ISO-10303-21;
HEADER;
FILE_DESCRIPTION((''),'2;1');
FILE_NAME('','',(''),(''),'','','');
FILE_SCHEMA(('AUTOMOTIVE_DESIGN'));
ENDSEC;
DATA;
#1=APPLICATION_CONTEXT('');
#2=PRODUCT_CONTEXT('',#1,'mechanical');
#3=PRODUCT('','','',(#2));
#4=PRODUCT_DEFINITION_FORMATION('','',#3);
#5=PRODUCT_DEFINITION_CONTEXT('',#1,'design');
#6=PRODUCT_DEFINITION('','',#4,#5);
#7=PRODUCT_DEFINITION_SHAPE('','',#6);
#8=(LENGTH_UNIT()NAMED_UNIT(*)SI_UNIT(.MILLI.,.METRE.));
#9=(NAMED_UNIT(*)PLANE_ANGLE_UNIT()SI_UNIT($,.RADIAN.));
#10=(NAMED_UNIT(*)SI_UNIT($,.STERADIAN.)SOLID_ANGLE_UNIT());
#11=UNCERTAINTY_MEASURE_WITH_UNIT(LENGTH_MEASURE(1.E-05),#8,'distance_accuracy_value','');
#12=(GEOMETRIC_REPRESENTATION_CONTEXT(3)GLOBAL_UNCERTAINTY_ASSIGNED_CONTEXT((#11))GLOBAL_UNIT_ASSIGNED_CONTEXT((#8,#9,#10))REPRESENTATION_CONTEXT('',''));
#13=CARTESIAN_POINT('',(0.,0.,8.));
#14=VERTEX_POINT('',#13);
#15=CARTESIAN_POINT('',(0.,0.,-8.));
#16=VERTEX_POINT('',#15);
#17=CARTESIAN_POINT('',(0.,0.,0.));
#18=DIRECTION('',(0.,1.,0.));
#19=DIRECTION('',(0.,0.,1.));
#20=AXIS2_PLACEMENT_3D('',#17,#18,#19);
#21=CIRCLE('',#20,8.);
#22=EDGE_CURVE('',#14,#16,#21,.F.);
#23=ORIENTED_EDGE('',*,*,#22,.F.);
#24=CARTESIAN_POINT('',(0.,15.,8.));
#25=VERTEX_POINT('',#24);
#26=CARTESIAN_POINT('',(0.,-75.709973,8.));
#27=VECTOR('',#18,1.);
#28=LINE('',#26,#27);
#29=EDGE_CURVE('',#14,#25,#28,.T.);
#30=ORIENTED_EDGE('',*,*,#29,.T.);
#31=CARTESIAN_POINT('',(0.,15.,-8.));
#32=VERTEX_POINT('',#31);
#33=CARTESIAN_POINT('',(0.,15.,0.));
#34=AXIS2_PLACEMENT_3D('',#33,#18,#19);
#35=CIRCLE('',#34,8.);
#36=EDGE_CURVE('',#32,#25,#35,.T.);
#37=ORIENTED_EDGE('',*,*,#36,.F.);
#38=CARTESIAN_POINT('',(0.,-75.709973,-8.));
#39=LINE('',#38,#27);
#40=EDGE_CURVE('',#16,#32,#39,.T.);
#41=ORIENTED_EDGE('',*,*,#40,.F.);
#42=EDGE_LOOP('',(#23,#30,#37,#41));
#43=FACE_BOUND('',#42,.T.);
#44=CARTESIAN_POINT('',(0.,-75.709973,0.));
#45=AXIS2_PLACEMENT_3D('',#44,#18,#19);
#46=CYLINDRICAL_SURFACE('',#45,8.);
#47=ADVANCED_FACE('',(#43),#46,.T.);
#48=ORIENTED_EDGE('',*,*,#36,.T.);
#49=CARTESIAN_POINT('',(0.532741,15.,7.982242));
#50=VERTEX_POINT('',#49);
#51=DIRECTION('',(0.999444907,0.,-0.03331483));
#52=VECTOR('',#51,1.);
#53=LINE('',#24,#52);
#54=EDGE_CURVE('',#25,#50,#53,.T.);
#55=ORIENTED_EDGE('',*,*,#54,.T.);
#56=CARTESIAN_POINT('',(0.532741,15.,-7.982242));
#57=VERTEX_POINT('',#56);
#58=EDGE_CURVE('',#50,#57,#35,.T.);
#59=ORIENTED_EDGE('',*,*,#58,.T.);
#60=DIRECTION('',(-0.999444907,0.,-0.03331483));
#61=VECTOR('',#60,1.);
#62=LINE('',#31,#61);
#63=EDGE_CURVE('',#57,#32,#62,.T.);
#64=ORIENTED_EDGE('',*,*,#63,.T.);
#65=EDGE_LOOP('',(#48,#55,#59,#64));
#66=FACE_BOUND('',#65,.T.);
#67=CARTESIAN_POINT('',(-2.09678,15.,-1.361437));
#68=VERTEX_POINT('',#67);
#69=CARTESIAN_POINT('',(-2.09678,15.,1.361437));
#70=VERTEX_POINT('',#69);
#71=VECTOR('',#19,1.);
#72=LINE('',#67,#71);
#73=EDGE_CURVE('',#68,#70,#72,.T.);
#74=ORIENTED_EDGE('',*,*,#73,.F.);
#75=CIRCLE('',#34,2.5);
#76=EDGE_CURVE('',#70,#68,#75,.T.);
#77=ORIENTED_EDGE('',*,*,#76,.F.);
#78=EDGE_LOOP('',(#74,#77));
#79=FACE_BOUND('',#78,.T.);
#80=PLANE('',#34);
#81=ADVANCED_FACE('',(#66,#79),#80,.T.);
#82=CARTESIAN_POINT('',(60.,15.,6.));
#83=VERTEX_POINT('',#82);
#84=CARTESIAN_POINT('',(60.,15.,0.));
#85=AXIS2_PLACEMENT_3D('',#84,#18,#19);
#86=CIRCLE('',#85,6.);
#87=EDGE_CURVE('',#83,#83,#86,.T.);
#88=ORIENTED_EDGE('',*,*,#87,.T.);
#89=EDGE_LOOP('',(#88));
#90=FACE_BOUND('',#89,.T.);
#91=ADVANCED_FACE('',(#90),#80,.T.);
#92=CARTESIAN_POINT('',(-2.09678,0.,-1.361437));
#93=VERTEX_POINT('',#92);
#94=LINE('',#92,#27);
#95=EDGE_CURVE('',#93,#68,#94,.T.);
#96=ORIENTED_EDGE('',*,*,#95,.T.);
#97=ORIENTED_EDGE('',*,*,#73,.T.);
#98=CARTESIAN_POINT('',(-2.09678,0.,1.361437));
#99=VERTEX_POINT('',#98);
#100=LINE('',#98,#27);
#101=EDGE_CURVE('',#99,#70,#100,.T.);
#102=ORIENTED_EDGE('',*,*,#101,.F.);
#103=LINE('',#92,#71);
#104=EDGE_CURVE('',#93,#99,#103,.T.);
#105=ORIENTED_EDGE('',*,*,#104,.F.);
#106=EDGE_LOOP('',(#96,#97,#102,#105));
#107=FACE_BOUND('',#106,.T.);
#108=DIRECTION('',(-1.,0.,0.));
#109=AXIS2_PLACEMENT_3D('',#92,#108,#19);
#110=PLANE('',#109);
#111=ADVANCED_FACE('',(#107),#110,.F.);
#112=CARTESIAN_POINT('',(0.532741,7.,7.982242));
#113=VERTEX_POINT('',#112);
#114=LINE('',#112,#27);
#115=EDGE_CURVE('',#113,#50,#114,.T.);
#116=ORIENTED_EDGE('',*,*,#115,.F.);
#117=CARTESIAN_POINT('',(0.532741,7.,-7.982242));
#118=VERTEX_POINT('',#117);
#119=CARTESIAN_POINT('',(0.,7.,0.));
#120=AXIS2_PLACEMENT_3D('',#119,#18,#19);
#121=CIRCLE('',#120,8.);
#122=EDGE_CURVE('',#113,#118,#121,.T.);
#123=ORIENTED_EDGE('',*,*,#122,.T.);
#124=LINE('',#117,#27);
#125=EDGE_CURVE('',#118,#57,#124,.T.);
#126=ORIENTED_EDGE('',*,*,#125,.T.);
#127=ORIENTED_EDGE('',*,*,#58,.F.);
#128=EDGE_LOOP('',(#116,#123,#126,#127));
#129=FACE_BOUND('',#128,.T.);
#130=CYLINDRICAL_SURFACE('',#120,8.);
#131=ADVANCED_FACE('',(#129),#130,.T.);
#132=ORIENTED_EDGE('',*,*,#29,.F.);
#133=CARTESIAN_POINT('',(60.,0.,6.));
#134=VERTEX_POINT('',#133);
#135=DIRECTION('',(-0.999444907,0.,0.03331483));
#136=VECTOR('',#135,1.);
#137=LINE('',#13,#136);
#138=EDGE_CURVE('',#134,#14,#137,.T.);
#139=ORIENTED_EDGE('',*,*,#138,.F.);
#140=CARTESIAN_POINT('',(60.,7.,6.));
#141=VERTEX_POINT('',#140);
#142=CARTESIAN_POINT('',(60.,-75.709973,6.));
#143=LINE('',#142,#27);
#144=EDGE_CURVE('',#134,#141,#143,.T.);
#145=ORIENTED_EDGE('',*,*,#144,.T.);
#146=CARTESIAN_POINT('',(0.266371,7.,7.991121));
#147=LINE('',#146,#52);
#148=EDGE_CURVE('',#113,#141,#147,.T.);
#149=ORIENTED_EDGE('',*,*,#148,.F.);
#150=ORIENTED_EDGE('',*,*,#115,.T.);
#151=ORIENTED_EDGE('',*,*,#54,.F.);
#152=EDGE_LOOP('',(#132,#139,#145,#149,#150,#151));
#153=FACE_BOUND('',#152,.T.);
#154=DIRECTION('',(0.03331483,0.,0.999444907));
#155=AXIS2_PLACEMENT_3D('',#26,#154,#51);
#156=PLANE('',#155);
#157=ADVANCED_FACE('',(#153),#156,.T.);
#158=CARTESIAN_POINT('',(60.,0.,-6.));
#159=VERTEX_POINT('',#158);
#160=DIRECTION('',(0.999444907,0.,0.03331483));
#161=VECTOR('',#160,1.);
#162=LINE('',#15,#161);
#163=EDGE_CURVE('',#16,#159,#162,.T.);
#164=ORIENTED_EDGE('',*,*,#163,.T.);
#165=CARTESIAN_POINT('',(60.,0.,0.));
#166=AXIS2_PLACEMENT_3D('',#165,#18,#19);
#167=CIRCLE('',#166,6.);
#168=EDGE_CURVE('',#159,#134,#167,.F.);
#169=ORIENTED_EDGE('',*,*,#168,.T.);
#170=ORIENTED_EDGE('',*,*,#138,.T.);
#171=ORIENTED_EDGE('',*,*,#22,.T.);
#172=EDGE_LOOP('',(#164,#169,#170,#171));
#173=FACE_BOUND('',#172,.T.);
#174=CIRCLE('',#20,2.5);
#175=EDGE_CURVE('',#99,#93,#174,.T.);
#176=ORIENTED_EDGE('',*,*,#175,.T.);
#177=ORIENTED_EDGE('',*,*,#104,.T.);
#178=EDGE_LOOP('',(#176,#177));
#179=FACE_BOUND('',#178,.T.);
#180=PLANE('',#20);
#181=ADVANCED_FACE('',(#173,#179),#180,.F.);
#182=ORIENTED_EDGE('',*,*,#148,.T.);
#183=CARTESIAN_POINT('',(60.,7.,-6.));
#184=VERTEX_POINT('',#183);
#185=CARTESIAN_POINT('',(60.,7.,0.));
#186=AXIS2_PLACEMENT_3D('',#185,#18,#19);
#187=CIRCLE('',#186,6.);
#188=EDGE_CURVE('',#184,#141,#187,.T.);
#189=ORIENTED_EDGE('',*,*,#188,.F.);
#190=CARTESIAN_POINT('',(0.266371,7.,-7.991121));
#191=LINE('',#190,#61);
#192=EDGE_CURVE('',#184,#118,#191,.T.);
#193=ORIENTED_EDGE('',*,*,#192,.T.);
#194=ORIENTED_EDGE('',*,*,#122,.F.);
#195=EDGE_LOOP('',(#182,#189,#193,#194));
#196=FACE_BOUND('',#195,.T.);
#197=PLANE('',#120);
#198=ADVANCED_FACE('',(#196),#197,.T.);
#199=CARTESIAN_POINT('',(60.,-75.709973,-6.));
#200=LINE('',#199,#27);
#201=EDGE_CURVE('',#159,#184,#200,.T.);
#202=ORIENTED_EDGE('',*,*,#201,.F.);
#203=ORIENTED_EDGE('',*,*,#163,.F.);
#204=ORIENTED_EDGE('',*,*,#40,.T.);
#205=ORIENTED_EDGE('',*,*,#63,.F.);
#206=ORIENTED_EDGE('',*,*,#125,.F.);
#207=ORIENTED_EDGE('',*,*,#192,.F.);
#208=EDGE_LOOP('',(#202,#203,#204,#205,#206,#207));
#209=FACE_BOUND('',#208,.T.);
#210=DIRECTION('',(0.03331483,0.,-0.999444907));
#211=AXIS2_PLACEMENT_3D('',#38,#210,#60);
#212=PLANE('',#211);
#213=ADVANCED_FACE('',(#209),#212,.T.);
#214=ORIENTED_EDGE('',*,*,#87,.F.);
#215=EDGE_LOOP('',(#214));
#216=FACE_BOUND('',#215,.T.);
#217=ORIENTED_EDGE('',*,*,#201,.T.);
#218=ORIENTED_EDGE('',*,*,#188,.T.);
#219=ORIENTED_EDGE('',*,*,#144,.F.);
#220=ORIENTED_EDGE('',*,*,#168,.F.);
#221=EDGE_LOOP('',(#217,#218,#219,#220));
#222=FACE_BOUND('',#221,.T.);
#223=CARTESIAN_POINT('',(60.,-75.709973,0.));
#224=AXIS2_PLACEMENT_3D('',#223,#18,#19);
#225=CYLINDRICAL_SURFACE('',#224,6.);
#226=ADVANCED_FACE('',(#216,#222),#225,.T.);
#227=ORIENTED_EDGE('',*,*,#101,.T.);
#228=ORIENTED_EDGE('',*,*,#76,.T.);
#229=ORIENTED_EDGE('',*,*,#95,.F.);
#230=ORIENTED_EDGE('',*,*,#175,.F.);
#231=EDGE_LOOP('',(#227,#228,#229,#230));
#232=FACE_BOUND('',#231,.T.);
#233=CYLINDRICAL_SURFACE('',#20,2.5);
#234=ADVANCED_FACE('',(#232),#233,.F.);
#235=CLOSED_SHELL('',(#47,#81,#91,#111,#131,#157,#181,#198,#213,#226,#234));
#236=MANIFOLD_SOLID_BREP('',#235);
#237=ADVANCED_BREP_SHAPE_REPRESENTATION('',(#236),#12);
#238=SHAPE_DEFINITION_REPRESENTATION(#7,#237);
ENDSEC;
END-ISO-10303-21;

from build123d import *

# Parameters (mm, degrees)
SKETCH1_R           = 5
BOSS_EXTRUDE1_DEPTH = 15
CUT_EXTRUDE1_DEPTH  = 17.583123952
SKETCH3_R           = 3.558152216
BOSS_EXTRUDE2_DEPTH = 15
CUT_EXTRUDE3_DEPTH  = 8


with BuildPart() as part:
    # Sketch1 → Boss-Extrude1 (new body)
    with BuildSketch(Plane(origin=(0, 0, 0), x_dir=(1, 0, 0), z_dir=(0, 1, 0))):
        with Locations(Location((0, 0, 0), (0, 0, 270))):
            Circle(SKETCH1_R)
    extrude(amount=BOSS_EXTRUDE1_DEPTH)

    # Sketch2 → Cut-Extrude1 (cut, through all)
    with BuildSketch(Plane(origin=(0, 15, 0), x_dir=(1, 0, 0), z_dir=(0, 1, 0))):
        with BuildLine():
            Line((-2.096780408, 1.361437447), (-2.096780408, -1.361437447))
            ThreePointArc((-2.096780408, -1.361437447), (2.5, 0), (-2.096780408, 1.361437447))
        make_face()
    extrude(amount=-CUT_EXTRUDE1_DEPTH, mode=Mode.SUBTRACT)

    # Sketch3 → Boss-Extrude2 (add)
    with BuildSketch(Plane(origin=(0, 15, 0), x_dir=(1, 0, 0), z_dir=(0, 1, 0))):
        with BuildLine():
            Line((0, 8), (60, 6))
            ThreePointArc((60, 6), (66, 0), (60, -6))
            Line((60, -6), (0, -8))
            ThreePointArc((0, -8), (-8, 0), (0, 8))
        make_face()
        Circle(SKETCH3_R, mode=Mode.SUBTRACT)
    extrude(amount=-BOSS_EXTRUDE2_DEPTH)

    # Sketch5 → Cut-Extrude3 (cut)
    with BuildSketch(Plane(origin=(0, 15, 0), x_dir=(1, 0, 0), z_dir=(0, 1, 0))):
        with BuildLine():
            Line((60, 6), (0.532741398, 7.982241953))
            ThreePointArc((0.532741398, 7.982241953), (8, 0), (0.532741398, -7.982241953))
            Line((0.532741398, -7.982241953), (60, -6))
            ThreePointArc((60, -6), (54, 0), (60, 6))
        make_face()
    extrude(amount=-CUT_EXTRUDE3_DEPTH, mode=Mode.SUBTRACT)


solid = part.part
